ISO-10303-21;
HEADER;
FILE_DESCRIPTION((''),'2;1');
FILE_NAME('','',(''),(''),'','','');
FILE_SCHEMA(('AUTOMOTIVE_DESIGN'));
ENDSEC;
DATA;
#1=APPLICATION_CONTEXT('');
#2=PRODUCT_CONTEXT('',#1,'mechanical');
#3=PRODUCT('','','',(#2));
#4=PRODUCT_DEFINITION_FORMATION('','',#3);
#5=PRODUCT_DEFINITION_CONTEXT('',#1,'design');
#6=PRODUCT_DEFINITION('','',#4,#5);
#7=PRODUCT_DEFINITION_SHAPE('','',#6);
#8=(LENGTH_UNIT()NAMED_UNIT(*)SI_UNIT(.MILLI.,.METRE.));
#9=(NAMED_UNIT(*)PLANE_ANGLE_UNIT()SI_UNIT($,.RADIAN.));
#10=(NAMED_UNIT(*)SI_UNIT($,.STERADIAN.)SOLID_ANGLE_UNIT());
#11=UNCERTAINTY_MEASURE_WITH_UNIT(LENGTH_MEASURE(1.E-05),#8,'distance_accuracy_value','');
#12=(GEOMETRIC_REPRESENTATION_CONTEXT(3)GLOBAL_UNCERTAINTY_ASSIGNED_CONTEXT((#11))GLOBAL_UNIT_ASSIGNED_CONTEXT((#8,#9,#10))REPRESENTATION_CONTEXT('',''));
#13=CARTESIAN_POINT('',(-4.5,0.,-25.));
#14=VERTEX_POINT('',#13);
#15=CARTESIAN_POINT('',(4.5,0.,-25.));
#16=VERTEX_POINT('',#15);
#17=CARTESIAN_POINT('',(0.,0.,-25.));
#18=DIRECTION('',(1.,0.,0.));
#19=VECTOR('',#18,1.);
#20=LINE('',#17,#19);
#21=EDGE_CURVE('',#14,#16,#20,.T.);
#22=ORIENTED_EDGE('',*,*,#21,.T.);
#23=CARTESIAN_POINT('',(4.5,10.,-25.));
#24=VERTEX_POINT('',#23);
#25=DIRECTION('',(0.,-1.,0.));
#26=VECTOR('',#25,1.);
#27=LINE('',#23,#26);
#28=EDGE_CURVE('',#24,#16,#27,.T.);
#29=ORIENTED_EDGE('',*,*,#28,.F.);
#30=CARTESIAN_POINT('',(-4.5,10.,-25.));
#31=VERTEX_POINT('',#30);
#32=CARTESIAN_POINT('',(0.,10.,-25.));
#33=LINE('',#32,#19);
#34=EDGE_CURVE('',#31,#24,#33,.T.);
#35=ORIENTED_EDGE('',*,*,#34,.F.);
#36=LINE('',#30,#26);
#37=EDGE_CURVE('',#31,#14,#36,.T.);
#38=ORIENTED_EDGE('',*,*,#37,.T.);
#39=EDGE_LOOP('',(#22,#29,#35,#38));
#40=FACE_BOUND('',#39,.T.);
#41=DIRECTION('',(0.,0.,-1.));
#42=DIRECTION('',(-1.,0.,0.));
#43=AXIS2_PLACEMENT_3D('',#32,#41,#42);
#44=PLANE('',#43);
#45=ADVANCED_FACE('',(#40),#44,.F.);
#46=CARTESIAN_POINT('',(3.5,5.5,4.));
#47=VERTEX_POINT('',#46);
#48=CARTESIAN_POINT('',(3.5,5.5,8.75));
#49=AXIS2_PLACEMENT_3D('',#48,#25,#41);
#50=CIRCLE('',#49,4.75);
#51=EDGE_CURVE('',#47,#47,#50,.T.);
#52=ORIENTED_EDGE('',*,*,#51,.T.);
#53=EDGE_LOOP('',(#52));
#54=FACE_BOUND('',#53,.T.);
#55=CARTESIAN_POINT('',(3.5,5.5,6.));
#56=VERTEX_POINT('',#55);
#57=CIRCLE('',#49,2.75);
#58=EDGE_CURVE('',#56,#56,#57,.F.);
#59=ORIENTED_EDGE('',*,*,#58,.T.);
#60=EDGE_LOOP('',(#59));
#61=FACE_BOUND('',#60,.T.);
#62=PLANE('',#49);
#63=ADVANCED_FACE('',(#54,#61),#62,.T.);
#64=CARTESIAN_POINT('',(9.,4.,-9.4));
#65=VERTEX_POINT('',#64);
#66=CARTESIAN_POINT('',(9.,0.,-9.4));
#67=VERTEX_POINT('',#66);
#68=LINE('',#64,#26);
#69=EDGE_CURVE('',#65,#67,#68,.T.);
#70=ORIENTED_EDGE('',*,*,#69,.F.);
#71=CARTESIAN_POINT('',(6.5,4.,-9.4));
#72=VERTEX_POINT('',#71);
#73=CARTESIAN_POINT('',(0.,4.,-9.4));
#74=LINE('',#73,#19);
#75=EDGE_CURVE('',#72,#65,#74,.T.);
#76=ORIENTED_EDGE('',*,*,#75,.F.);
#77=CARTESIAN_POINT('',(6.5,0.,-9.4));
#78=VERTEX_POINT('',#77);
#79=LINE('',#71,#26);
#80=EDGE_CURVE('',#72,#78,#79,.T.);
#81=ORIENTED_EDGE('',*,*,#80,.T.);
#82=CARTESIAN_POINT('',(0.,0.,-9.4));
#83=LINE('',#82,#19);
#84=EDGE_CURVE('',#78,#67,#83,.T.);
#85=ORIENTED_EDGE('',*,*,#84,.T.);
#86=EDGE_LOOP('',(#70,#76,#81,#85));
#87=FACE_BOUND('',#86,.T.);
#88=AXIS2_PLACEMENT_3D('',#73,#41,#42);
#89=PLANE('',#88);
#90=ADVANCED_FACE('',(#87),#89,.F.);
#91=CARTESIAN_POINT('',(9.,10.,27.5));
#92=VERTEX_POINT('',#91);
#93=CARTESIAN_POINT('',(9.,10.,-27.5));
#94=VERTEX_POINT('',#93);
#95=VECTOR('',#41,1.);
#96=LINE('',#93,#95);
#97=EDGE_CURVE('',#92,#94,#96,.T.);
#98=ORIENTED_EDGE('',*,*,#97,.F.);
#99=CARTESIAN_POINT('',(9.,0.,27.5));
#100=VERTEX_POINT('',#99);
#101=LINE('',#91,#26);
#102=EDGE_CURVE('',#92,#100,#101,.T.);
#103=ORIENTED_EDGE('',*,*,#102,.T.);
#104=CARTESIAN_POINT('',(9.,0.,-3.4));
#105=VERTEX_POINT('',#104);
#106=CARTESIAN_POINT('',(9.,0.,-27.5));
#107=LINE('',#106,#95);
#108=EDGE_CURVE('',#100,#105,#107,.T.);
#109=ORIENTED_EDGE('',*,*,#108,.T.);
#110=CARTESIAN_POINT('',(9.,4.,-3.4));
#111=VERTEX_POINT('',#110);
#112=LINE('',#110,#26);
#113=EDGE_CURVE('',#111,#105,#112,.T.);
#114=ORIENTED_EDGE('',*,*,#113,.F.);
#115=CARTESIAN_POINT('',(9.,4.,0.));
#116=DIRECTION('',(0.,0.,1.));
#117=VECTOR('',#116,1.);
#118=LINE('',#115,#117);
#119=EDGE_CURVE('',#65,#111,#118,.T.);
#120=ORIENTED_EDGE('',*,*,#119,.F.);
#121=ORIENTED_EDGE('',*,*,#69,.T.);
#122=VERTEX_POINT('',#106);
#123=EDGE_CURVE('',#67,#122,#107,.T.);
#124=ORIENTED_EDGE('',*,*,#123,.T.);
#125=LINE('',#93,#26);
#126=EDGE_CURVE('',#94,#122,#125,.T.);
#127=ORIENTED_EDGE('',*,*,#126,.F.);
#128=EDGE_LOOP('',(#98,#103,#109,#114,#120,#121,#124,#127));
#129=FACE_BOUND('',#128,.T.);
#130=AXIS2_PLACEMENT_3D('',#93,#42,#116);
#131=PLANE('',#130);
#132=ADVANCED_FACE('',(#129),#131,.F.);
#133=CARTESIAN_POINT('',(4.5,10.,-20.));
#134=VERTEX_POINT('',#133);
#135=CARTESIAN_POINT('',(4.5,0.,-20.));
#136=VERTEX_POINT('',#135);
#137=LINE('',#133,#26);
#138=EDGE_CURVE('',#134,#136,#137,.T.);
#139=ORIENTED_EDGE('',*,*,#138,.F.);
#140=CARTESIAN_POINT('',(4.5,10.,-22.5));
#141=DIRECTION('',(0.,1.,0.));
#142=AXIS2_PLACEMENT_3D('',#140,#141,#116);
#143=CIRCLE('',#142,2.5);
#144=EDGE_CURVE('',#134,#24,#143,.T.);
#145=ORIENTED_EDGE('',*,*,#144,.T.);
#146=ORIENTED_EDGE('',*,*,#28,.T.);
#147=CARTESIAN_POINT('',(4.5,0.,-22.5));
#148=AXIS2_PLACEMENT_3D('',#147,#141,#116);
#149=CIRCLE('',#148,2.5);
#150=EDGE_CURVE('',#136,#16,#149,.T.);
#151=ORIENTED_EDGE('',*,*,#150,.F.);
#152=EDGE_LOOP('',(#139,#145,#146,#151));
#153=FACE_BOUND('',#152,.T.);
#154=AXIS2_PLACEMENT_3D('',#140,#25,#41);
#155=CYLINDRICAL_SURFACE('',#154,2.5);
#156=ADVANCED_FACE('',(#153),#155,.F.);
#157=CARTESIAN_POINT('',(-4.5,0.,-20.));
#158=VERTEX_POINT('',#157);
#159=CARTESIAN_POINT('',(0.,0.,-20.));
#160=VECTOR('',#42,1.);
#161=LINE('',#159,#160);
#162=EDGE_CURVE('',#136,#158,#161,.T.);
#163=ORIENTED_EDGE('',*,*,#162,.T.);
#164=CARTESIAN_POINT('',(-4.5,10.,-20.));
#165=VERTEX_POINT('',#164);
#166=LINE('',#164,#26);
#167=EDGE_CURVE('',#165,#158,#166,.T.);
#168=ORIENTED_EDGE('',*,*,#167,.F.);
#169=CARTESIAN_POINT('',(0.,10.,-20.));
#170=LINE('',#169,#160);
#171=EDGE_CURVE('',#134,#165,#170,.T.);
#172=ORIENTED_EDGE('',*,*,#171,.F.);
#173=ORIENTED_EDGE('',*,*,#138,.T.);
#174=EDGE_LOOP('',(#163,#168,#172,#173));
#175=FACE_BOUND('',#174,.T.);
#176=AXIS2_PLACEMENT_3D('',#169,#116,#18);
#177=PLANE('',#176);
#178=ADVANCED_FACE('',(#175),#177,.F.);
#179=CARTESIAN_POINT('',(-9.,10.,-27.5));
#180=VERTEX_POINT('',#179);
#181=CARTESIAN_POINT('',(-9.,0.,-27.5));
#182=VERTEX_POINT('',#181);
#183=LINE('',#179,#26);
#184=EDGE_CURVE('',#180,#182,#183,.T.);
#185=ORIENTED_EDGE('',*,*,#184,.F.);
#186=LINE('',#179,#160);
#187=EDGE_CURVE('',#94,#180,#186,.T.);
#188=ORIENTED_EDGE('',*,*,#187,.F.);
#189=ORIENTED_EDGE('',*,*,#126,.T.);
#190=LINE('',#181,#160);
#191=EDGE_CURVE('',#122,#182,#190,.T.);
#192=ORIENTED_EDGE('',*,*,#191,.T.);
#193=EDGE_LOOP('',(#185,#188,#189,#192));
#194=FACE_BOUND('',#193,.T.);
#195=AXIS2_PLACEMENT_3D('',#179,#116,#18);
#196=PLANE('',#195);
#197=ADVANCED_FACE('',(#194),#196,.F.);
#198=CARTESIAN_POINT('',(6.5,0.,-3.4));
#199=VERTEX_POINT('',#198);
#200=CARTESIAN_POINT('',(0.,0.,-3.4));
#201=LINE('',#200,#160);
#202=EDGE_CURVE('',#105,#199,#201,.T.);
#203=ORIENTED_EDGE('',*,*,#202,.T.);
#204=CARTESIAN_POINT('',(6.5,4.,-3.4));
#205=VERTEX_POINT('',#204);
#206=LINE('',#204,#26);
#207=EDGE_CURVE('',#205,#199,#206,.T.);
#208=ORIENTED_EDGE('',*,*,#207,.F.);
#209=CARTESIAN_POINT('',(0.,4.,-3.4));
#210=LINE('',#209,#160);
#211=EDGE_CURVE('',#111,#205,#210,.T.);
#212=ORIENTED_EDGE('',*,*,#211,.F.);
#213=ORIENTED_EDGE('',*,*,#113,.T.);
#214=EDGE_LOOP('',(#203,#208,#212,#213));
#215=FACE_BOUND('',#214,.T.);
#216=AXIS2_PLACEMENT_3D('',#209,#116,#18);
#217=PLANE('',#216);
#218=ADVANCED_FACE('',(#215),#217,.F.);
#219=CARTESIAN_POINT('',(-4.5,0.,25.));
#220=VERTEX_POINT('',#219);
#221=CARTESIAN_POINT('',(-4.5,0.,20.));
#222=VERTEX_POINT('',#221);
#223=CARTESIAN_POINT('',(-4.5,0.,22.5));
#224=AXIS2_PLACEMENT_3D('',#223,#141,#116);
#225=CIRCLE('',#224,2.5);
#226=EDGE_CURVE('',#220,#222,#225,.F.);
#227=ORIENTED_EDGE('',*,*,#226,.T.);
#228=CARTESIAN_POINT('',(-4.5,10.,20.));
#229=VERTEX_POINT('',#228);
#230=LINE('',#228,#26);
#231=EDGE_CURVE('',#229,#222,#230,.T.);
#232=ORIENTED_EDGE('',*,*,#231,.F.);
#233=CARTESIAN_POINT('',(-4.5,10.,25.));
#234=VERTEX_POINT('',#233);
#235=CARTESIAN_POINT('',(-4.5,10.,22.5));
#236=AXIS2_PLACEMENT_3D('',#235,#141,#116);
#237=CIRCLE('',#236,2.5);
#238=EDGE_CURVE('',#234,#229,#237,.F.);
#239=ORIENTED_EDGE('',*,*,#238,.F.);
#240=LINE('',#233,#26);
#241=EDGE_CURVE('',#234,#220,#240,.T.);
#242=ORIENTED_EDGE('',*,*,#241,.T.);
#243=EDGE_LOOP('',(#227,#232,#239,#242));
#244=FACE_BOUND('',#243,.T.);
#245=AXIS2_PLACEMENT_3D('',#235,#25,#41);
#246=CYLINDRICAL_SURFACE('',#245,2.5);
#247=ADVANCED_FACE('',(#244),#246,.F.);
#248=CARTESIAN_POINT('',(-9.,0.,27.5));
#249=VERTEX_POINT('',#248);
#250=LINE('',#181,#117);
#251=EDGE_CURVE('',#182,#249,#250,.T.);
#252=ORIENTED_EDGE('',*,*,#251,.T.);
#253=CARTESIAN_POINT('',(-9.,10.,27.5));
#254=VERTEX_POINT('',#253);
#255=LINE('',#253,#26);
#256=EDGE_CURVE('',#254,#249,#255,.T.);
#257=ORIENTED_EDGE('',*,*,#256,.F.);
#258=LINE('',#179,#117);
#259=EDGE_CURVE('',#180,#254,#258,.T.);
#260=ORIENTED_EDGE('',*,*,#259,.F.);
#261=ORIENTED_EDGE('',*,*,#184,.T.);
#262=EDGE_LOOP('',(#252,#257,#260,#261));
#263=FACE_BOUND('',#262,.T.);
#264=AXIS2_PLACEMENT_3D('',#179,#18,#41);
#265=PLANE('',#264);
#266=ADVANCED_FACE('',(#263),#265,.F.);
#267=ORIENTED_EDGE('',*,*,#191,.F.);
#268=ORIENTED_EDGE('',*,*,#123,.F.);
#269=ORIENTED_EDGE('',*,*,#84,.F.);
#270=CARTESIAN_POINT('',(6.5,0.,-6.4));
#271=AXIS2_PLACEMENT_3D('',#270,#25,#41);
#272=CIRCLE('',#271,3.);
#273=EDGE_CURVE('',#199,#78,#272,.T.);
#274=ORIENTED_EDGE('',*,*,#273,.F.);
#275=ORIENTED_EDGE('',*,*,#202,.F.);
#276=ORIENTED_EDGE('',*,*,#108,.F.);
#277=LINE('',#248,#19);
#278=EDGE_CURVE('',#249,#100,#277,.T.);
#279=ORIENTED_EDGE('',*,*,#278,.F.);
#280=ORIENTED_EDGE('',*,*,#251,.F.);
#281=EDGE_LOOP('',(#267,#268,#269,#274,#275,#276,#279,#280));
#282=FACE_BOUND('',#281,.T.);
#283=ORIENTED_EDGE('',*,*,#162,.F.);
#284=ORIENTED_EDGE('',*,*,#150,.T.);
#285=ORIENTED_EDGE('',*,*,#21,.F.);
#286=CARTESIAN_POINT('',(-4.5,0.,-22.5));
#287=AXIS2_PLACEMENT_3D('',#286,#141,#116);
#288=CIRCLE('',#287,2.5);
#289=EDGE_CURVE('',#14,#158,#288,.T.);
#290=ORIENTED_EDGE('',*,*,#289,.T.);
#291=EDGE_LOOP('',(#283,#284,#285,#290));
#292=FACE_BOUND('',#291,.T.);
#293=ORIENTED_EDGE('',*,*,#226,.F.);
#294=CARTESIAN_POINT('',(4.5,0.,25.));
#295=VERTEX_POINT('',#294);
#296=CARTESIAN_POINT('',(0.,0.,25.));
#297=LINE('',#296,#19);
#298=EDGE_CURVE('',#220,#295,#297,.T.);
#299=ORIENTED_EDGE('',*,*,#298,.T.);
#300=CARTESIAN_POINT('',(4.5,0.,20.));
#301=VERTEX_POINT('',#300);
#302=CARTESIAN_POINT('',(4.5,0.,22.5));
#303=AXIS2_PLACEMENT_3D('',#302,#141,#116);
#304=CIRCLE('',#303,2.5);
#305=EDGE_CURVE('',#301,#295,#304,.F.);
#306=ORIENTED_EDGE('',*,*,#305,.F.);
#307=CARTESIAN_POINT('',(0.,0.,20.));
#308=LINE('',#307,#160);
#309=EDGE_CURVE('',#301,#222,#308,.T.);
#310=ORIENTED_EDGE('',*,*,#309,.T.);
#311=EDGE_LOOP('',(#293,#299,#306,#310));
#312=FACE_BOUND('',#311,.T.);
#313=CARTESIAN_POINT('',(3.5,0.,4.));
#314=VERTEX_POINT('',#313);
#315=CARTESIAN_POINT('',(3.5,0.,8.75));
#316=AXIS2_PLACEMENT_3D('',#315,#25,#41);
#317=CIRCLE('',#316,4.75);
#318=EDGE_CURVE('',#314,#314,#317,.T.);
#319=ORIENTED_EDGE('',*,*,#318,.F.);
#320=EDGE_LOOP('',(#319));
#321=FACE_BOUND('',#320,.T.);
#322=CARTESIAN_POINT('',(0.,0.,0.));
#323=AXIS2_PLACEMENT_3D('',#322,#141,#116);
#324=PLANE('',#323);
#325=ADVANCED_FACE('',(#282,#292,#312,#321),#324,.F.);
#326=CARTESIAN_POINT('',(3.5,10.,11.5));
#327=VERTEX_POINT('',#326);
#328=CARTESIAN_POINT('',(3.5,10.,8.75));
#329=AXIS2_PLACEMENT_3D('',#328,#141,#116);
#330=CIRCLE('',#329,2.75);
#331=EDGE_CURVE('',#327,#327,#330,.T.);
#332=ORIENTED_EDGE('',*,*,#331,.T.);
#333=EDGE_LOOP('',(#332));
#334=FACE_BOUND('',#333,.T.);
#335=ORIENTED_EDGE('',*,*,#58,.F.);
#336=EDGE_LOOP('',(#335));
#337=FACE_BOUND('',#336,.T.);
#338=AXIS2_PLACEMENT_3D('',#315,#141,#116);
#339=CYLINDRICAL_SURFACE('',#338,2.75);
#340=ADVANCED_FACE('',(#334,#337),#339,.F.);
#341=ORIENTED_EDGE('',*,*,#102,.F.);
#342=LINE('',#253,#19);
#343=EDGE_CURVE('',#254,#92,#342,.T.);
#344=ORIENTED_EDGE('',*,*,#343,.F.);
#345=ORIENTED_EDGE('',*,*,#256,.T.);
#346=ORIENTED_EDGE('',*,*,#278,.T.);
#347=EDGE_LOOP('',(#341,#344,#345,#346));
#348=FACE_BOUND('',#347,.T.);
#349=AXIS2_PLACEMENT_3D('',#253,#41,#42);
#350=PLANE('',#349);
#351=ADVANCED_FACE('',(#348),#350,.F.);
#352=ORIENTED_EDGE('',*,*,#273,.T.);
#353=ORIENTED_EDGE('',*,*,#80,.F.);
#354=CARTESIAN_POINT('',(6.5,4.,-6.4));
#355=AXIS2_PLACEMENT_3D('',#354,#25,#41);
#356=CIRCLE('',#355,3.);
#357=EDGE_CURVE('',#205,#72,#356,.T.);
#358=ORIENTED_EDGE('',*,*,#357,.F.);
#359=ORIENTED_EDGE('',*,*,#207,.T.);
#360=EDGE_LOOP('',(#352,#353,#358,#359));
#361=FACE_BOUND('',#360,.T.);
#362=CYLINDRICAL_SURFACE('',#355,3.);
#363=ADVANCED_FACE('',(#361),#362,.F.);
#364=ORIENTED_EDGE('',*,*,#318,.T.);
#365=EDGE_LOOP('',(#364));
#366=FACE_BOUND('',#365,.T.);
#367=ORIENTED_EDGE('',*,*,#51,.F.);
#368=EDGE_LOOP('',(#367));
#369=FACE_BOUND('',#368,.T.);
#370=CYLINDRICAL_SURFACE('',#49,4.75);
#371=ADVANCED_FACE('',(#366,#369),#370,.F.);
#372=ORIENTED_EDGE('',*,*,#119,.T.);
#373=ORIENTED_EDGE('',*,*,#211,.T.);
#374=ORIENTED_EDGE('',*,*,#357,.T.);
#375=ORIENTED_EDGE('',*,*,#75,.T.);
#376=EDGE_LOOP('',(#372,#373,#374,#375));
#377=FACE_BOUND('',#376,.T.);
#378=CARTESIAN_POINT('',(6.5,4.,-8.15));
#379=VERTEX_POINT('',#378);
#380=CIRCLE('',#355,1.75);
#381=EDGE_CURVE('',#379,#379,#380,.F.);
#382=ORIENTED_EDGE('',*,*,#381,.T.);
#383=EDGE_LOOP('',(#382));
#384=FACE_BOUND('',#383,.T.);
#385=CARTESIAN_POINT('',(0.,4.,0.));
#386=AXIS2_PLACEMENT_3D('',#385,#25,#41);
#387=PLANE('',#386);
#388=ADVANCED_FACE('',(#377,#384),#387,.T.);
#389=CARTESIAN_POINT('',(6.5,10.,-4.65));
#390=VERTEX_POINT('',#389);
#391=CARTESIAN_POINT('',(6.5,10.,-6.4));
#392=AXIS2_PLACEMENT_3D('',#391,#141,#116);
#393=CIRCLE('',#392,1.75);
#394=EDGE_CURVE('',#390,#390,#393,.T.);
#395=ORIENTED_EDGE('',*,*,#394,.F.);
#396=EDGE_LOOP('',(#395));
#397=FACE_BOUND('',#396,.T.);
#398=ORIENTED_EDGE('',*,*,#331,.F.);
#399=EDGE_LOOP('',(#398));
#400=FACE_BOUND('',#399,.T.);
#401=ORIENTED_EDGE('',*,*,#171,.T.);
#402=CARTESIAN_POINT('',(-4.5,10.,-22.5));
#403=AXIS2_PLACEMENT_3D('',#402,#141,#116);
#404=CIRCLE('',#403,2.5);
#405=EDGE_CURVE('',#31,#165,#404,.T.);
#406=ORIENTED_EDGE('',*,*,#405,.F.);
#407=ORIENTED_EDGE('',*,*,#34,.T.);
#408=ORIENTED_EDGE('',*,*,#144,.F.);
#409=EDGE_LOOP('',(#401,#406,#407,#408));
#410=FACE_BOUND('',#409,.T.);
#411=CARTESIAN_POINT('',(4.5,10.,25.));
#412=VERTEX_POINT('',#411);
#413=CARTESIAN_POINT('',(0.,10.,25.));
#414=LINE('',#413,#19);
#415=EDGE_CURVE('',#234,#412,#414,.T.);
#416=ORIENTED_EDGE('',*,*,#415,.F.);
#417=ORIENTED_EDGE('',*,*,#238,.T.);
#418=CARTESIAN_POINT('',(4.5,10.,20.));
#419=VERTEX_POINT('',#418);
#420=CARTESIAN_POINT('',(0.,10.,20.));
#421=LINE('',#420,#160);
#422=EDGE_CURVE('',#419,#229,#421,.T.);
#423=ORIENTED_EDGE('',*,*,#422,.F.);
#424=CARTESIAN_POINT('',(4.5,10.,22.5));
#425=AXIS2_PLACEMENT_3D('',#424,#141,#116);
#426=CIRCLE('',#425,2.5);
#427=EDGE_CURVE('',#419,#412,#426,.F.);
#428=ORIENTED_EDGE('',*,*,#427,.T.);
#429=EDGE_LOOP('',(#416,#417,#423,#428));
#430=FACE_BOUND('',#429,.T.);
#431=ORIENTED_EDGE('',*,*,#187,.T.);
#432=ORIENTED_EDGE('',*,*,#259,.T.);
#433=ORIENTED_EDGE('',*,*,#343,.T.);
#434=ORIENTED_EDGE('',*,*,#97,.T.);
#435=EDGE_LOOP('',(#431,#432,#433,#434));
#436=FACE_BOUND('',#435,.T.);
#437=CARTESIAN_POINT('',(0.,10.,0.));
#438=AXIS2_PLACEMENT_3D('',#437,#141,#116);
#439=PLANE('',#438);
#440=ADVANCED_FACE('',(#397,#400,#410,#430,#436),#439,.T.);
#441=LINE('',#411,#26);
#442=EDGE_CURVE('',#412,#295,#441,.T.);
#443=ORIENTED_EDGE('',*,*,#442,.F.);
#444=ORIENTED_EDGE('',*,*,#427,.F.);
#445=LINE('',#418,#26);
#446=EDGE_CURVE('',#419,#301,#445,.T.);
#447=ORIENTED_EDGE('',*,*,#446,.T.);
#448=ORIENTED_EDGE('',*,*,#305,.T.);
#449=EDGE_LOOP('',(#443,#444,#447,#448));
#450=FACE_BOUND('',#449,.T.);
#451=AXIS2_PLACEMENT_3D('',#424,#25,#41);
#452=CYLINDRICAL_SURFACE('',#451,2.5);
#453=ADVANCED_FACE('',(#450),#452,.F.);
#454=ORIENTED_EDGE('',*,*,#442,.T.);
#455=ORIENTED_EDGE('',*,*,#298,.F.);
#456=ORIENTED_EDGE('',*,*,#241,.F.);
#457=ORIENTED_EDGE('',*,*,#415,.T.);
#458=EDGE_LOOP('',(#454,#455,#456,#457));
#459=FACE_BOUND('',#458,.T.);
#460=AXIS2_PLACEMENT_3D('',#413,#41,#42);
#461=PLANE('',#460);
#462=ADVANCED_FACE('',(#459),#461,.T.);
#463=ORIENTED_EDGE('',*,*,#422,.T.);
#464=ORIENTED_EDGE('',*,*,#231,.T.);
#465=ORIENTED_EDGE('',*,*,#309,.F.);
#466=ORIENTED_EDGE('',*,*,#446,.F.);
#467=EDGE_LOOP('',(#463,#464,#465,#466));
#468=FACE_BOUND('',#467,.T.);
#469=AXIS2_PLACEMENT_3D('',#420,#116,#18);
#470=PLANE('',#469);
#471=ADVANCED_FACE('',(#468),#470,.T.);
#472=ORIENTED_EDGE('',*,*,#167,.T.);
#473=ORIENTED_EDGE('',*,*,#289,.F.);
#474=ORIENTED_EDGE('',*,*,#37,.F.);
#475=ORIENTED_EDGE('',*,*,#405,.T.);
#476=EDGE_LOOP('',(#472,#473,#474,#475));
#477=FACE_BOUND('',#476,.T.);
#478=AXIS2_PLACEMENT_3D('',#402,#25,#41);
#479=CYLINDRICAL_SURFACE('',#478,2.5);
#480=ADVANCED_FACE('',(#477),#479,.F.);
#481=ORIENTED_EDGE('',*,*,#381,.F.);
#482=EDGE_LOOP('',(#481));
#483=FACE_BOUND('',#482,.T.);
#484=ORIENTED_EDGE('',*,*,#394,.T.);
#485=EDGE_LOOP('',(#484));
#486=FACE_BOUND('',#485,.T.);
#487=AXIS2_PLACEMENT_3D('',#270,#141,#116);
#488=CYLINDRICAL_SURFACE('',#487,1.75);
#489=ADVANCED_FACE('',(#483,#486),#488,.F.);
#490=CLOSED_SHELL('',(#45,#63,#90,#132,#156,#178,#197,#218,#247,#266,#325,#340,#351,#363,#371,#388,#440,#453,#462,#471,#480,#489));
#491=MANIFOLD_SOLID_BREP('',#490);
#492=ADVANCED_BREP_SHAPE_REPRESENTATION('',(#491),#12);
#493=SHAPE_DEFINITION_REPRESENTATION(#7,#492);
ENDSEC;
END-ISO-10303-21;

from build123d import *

# Parameters (mm, degrees)
SKETCH1_W           = 18
SKETCH1_H           = 55
BOSS_EXTRUDE1_DEPTH = 10
SKETCH2_R           = 2.75
SKETCH2_R_2         = 1.75
CUT_EXTRUDE1_DEPTH  = 31.61453903
SKETCH3_R           = 4.75
CUT_EXTRUDE2_DEPTH  = 5.5
CUT_EXTRUDE3_START  = -4
SKETCH4_R           = 1.75
CUT_EXTRUDE3_DEPTH  = 4
SKETCH5_R           = 2.5
CUT_EXTRUDE4_DEPTH  = 31.61453903


with BuildPart() as part:
    # Sketch1 → Boss-Extrude1 (new body)
    with BuildSketch(Plane(origin=(0, 0, 0), x_dir=(1, 0, 0), z_dir=(0, 1, 0))):
        Rectangle(SKETCH1_W, SKETCH1_H)
    extrude(amount=BOSS_EXTRUDE1_DEPTH)

    # Sketch2 → Cut-Extrude1 (cut, through all)
    with BuildSketch(Plane(origin=(0, 10, 0), x_dir=(1, 0, 0), z_dir=(0, 1, 0))):
        with Locations(Location((3.5, -8.75, 0), (0, 0, 270))):
            Circle(SKETCH2_R)
        with Locations(Location((6.5, 6.4, 0), (0, 0, 270))):
            Circle(SKETCH2_R_2)
    extrude(amount=-CUT_EXTRUDE1_DEPTH, mode=Mode.SUBTRACT)

    # Sketch3 → Cut-Extrude2 (cut)
    with BuildSketch(Plane.XZ):
        with Locations(Location((3.5, 8.75, 0), (0, 0, 270))):
            Circle(SKETCH3_R)
    extrude(amount=-CUT_EXTRUDE2_DEPTH, mode=Mode.SUBTRACT)

    # Sketch4 → Cut-Extrude3 (cut)
    # profile 1 of 3: a face of its own
    with BuildSketch(Plane.XZ.offset(CUT_EXTRUDE3_START)):
        with BuildLine():
            ThreePointArc((6.5, -3.4), (3.5, -6.4), (6.5, -9.4))
            ThreePointArc((6.5, -9.4), (7.918637165, -9.043382037), (9, -8.058312395))
            Line((9, -8.058312395), (9, -4.741687605))
            ThreePointArc((9, -4.741687605), (7.918637165, -3.756617963), (6.5, -3.4))
        make_face()
        with Locations(Location((6.5, -6.4, 0), (0, 0, 90))):
            Circle(SKETCH4_R, mode=Mode.SUBTRACT)
    # profile 2 of 3: a face of its own
    with BuildSketch(Plane.XZ.offset(CUT_EXTRUDE3_START)):
        with BuildLine():
            ThreePointArc((9, -8.058312395), (7.918637165, -9.043382037), (6.5, -9.4))
            Line((6.5, -9.4), (9, -9.4))
            Line((9, -9.4), (9, -8.058312395))
        make_face()
    # profile 3 of 3: a face of its own
    with BuildSketch(Plane.XZ.offset(CUT_EXTRUDE3_START)):
        with BuildLine():
            Line((9, -3.4), (6.5, -3.4))
            ThreePointArc((6.5, -3.4), (7.918637165, -3.756617963), (9, -4.741687605))
            Line((9, -4.741687605), (9, -3.4))
        make_face()
    extrude(amount=CUT_EXTRUDE3_DEPTH, mode=Mode.SUBTRACT)

    # Sketch5 → Cut-Extrude4 (cut, through all)
    with BuildSketch(Plane(origin=(0, 0, 0), x_dir=(1, 0, 0), z_dir=(0, 1, 0))):
        with Locations((-4.5, 22.5)):
            Circle(SKETCH5_R)
        with BuildLine():
            Line((4.5, 25), (-4.5, 25))
            ThreePointArc((-4.5, 25), (-2.732233047, 24.267766953), (-2, 22.5))
            ThreePointArc((-2, 22.5), (-2.732233047, 20.732233047), (-4.5, 20))
            Line((-4.5, 20), (4.5, 20))
            ThreePointArc((4.5, 20), (2, 22.5), (4.5, 25))
        make_face()
        with Locations((4.5, 22.5)):
            Circle(SKETCH5_R)
        with Locations((-4.5, -22.5)):
            Circle(SKETCH5_R)
        with BuildLine():
            ThreePointArc((4.5, -25), (2, -22.5), (4.5, -20))
            Line((4.5, -20), (-4.5, -20))
            ThreePointArc((-4.5, -20), (-2.732233047, -20.732233047), (-2, -22.5))
            ThreePointArc((-2, -22.5), (-2.732233047, -24.267766953), (-4.5, -25))
            Line((-4.5, -25), (4.5, -25))
        make_face()
        with Locations((4.5, -22.5)):
            Circle(SKETCH5_R)
    extrude(amount=CUT_EXTRUDE4_DEPTH, mode=Mode.SUBTRACT)


solid = part.part
